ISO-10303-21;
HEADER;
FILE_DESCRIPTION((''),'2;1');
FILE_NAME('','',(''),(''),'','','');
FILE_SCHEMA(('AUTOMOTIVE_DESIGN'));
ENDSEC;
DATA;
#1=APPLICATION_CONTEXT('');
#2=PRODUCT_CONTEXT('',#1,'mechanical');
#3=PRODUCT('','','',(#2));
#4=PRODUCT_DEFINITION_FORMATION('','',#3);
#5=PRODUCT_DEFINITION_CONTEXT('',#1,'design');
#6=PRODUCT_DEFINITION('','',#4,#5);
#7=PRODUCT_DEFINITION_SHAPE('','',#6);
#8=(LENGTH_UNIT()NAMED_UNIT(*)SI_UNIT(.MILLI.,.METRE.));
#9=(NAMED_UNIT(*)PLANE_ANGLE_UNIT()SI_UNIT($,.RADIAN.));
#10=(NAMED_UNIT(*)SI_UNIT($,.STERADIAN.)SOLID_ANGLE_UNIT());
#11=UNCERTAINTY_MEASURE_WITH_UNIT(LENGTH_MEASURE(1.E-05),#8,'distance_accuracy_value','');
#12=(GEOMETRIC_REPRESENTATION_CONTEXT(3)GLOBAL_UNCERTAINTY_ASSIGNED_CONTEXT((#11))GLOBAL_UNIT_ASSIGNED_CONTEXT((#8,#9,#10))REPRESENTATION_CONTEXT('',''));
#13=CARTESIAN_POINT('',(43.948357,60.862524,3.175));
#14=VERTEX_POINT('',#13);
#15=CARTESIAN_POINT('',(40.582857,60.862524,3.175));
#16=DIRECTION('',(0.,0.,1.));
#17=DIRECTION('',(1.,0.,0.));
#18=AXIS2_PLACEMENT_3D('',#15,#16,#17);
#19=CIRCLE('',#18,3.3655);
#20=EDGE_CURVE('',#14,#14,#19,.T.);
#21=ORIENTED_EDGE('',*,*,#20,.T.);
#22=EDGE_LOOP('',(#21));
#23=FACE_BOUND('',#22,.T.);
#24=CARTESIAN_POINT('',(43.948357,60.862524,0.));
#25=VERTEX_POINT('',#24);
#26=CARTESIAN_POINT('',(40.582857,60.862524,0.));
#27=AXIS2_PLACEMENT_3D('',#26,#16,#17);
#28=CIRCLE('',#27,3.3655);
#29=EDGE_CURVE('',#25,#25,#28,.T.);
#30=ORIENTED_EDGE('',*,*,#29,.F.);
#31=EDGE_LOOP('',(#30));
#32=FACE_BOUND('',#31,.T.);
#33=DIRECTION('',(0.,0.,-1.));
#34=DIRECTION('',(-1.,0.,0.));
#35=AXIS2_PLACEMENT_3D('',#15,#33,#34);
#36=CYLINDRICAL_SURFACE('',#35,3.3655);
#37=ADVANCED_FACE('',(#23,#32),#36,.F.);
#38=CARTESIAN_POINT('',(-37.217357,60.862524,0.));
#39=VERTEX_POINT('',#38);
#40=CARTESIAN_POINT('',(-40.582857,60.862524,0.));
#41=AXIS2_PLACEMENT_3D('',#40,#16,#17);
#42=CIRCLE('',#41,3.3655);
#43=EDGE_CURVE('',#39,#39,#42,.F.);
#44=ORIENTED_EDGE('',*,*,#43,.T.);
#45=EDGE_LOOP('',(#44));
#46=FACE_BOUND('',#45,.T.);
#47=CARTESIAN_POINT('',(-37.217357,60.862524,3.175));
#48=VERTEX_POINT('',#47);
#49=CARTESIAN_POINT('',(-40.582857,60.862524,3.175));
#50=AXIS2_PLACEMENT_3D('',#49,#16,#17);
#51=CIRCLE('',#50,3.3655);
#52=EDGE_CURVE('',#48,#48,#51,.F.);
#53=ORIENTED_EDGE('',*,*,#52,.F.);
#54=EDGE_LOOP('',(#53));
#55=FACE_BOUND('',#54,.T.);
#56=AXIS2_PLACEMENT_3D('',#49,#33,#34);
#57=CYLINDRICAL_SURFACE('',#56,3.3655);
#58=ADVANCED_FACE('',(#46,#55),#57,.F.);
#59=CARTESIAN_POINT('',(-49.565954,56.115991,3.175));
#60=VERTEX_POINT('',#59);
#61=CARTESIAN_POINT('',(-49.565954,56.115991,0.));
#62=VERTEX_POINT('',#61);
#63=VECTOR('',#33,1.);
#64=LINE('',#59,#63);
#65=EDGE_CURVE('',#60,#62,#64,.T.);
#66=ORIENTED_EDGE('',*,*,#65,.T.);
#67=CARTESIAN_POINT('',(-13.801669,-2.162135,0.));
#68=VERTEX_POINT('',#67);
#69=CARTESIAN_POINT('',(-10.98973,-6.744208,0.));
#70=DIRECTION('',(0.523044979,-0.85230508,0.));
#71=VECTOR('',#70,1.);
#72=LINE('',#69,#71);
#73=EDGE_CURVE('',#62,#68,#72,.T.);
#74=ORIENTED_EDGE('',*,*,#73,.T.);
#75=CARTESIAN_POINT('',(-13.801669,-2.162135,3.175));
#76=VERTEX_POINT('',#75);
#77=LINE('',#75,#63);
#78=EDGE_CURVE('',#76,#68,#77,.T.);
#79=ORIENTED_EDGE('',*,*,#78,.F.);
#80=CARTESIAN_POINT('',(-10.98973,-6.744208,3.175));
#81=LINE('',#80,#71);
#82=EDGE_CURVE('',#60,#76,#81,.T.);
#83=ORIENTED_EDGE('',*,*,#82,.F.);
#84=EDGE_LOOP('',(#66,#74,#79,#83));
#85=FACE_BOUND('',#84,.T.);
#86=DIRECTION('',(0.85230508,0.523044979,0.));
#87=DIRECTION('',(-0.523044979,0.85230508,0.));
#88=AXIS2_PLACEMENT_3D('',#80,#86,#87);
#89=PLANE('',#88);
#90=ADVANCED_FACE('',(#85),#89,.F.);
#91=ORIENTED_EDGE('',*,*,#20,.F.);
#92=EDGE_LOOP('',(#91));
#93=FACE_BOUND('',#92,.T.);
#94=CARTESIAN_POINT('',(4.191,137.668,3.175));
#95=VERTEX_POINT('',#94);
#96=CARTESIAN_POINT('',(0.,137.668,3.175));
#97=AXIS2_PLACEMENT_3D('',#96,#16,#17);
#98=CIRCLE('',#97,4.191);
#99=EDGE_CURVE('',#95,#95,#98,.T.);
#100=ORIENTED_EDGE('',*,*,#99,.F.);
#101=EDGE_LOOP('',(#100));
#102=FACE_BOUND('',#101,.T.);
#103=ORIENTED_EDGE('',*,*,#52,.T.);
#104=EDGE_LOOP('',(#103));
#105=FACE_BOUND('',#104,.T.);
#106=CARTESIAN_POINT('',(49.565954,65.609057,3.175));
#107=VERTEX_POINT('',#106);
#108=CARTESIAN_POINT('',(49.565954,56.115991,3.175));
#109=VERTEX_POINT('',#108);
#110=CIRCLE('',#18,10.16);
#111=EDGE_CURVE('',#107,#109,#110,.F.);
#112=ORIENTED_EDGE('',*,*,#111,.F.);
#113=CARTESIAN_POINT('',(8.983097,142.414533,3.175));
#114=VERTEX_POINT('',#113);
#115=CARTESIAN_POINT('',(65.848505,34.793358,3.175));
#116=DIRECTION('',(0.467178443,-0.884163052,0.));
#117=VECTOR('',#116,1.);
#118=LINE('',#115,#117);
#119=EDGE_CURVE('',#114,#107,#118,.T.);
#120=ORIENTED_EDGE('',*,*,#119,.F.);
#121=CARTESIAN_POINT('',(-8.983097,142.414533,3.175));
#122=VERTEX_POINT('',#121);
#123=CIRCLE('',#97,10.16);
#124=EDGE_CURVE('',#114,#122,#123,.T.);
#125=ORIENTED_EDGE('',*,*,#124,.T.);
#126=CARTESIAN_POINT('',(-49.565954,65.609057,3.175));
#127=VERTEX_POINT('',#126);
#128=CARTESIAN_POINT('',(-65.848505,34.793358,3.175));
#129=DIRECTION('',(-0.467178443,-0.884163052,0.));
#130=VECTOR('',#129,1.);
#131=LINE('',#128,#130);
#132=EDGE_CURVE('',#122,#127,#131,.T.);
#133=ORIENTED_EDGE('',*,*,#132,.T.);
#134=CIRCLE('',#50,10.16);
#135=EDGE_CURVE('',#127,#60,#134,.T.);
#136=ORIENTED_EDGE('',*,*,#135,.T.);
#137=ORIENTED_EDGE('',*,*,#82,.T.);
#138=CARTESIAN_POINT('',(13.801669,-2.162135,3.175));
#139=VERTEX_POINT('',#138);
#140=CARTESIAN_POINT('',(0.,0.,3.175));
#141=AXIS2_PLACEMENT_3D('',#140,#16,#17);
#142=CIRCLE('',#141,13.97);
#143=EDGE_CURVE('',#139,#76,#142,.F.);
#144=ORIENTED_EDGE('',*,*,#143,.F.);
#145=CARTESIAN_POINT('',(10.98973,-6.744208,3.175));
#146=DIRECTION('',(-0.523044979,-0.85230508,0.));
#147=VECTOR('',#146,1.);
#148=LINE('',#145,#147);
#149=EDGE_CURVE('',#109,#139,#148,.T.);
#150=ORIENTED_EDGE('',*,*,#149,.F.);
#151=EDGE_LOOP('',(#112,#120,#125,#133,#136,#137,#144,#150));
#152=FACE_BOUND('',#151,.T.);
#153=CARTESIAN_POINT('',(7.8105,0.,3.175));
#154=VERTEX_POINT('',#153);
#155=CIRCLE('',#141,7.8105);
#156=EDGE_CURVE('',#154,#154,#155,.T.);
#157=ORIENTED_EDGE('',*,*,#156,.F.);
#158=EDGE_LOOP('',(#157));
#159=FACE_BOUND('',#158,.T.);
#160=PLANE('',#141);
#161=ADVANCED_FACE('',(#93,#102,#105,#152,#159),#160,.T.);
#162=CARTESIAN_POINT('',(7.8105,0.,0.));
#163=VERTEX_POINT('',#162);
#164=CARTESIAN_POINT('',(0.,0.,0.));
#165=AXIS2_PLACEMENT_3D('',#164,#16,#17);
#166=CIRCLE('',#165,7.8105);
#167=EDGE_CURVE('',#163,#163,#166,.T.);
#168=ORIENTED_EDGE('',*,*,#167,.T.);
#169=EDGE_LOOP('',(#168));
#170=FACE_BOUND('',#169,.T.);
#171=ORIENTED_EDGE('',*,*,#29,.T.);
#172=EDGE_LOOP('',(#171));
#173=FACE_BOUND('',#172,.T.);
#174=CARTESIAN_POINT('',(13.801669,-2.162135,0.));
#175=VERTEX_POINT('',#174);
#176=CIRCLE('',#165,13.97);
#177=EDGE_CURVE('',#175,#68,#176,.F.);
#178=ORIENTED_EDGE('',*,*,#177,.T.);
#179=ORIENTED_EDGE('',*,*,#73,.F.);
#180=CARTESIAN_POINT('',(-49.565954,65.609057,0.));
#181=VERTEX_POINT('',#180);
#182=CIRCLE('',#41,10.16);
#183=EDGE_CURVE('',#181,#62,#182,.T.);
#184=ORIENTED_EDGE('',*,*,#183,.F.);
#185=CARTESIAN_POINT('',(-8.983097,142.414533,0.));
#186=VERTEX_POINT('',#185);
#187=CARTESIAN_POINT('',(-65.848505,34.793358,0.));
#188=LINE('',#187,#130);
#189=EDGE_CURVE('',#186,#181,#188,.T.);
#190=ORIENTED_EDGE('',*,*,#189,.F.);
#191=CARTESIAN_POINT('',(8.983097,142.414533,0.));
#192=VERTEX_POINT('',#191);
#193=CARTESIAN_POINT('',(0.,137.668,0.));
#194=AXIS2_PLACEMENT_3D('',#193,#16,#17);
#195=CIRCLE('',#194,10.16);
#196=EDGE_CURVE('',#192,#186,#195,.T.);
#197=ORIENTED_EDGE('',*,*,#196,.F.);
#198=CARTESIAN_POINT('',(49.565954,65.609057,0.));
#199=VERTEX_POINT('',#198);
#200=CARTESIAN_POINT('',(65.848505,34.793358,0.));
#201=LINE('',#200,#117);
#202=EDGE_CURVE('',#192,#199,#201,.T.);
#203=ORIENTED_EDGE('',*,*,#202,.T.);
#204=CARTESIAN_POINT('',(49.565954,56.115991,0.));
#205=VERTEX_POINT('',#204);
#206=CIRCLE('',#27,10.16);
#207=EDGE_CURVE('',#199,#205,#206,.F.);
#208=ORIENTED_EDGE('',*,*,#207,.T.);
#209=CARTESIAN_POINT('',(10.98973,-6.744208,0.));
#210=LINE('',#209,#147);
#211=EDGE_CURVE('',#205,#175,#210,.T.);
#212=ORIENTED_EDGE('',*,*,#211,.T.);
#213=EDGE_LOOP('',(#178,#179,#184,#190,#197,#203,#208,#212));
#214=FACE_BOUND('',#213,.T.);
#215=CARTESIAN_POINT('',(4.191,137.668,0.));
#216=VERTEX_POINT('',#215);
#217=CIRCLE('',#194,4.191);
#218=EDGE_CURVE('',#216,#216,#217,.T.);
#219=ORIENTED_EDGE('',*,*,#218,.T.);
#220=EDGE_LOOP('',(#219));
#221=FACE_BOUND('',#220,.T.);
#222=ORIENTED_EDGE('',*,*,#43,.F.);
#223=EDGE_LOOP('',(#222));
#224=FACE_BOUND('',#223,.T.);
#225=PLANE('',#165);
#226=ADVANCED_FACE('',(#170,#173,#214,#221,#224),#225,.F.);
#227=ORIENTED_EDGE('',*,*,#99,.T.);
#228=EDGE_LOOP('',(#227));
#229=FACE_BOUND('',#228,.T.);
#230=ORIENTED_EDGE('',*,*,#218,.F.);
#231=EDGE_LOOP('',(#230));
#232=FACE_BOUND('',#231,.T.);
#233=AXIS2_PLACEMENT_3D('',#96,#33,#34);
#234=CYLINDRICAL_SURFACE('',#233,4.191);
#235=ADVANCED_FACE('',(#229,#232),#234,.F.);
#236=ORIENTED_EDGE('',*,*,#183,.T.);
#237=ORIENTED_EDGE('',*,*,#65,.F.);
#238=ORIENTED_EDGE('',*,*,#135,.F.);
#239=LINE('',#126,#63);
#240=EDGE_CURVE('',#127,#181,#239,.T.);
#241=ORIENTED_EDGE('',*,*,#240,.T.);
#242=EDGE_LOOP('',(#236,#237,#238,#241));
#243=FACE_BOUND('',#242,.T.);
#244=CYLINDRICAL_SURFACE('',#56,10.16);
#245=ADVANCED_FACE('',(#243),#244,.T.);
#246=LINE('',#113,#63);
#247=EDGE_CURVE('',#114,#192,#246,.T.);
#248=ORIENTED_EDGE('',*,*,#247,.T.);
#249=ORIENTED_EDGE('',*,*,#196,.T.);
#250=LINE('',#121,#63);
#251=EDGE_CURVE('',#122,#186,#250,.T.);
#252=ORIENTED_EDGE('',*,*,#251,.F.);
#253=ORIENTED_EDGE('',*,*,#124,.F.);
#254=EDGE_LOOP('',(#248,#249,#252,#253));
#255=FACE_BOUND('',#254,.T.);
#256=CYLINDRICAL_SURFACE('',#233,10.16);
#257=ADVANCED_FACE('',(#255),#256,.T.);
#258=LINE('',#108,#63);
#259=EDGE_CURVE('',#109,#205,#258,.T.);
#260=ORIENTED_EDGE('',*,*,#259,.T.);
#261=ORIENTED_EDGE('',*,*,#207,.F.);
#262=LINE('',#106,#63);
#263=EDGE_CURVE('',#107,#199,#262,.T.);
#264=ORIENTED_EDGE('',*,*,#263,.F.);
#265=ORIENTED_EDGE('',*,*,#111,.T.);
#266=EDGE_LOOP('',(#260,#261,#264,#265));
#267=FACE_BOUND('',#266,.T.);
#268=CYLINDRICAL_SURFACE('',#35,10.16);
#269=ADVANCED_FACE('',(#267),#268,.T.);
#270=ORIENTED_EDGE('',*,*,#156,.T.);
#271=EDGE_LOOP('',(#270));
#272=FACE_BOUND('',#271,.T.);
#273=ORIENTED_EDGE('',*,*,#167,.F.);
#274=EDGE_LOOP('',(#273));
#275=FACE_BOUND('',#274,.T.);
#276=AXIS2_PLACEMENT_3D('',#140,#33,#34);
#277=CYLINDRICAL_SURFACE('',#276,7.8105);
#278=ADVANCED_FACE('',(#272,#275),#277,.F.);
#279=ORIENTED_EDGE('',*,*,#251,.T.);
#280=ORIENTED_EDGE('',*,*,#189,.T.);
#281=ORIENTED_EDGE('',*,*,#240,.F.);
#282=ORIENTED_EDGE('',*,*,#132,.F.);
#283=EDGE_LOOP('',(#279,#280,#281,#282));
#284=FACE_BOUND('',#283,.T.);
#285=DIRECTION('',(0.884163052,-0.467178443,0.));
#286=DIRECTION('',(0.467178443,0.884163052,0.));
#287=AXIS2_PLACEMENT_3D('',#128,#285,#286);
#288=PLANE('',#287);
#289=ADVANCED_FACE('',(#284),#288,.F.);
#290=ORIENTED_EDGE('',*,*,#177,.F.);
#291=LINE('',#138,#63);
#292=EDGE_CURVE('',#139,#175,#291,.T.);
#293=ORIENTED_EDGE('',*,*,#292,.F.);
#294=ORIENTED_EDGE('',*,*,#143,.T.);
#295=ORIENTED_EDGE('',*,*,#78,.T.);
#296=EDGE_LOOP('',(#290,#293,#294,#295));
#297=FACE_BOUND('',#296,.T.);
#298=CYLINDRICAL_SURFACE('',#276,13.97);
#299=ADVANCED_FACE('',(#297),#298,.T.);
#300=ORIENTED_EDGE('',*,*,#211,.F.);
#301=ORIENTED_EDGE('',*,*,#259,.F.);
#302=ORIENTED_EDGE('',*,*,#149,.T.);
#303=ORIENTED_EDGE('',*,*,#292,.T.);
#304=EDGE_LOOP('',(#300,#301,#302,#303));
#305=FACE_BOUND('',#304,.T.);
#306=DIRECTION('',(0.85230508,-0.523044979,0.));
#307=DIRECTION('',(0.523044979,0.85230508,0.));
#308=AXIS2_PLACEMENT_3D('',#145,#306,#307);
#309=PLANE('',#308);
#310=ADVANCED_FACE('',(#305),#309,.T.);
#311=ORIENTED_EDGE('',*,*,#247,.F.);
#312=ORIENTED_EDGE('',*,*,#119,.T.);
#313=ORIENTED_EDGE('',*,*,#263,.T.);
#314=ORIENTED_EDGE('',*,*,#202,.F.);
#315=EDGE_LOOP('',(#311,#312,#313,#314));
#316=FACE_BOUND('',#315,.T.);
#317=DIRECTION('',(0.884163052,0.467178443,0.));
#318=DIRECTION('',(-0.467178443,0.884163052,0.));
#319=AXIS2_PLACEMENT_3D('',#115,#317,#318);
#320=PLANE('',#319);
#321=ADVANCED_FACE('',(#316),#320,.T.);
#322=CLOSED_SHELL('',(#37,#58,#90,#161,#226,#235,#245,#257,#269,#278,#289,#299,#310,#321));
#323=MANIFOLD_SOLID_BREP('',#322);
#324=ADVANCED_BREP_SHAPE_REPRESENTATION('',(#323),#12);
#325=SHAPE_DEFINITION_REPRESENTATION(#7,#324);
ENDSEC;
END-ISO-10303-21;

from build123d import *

# Parameters (mm, degrees)
SKETCH1_R           = 3.3655
SKETCH1_R_2         = 11.571823904
SKETCH1_R_3         = 4.191
SKETCH1_R_4         = 7.8105
BOSS_EXTRUDE1_DEPTH = 3.175


with BuildPart() as part:
    # Sketch1 → Boss-Extrude1 (new body)
    # profile 1 of 7: a face of its own
    with BuildSketch(Plane.XY):
        with BuildLine():
            ThreePointArc((-13.801669145, -2.162135242), (-13.92785371, -1.084338979), (-13.97, 0))
            Line((-13.97, 0), (-10.16, 137.668))
            ThreePointArc((-10.16, 137.668), (-9.861385845, 140.113131739), (-8.98309661, 142.414532976))
            Line((-8.98309661, 142.414532976), (-49.565953559, 65.609056962))
            ThreePointArc((-49.565953559, 65.609056962), (-50.742856949, 60.862523985), (-49.565953559, 56.115991009))
            Line((-49.565953559, 56.115991009), (-13.801669145, -2.162135242))
        make_face()
        with Locations((-40.582856949, 60.862523985)):
            Circle(SKETCH1_R, mode=Mode.SUBTRACT)
    # profile 2 of 7: a face of its own
    with BuildSketch(Plane.XY):
        with BuildLine():
            Line((49.565953559, 65.609056962), (8.98309661, 142.414532976))
            ThreePointArc((8.98309661, 142.414532976), (9.861385845, 140.113131739), (10.16, 137.668))
            Line((10.16, 137.668), (13.97, 0))
            ThreePointArc((13.97, 0), (13.92785371, -1.084338979), (13.801669145, -2.162135242))
            Line((13.801669145, -2.162135242), (49.565953559, 56.115991009))
            ThreePointArc((49.565953559, 56.115991009), (50.742856949, 60.862523985), (49.565953559, 65.609056962))
        make_face()
        with Locations((40.582856949, 60.862523985)):
            Circle(SKETCH1_R, mode=Mode.SUBTRACT)
    # profile 3 of 7: a face of its own
    with BuildSketch(Plane.XY):
        with BuildLine():
            ThreePointArc((-10.16, 137.668), (7.886144716, 68.281846548), (-13.97, 0))
            ThreePointArc((-13.97, 0), (-13.92785371, -1.084338979), (-13.801669145, -2.162135242))
            Line((-13.801669145, -2.162135242), (-8.177790267, -11.326281223))
            ThreePointArc((-8.177790267, -11.326281223), (0, -13.97), (8.177790267, -11.326281223))
            Line((8.177790267, -11.326281223), (13.801669145, -2.162135242))
            ThreePointArc((13.801669145, -2.162135242), (13.92785371, -1.084338979), (13.97, 0))
            Line((13.97, 0), (10.16, 137.668))
            ThreePointArc((10.16, 137.668), (9.861385845, 140.113131739), (8.98309661, 142.414532976))
            ThreePointArc((8.98309661, 142.414532976), (0, 147.828), (-8.98309661, 142.414532976))
            ThreePointArc((-8.98309661, 142.414532976), (-9.861385845, 140.113131739), (-10.16, 137.668))
        make_face()
        Circle(SKETCH1_R_2, mode=Mode.SUBTRACT)
        with Locations((0, 137.668)):
            Circle(SKETCH1_R_3, mode=Mode.SUBTRACT)
    # profile 4 of 7: a face of its own
    with BuildSketch(Plane.XY):
        with BuildLine():
            ThreePointArc((-10.16, 137.668), (7.886144716, 68.281846548), (-13.97, 0))
            Line((-13.97, 0), (-10.16, 137.668))
        make_face()
    # profile 5 of 7: a face of its own
    with BuildSketch(Plane.XY):
        with BuildLine():
            Line((13.801669145, -2.162135242), (8.177790267, -11.326281223))
            ThreePointArc((8.177790267, -11.326281223), (11.906701974, -7.306938353), (13.801669145, -2.162135242))
        make_face()
    # profile 6 of 7: a face of its own
    with BuildSketch(Plane.XY):
        with BuildLine():
            Line((-8.177790267, -11.326281223), (-13.801669145, -2.162135242))
            ThreePointArc((-13.801669145, -2.162135242), (-11.906701974, -7.306938353), (-8.177790267, -11.326281223))
        make_face()
    # profile 7 of 7: a face of its own
    with BuildSketch(Plane.XY):
        Circle(SKETCH1_R_2)
        Circle(SKETCH1_R_4, mode=Mode.SUBTRACT)
    extrude(amount=BOSS_EXTRUDE1_DEPTH)


solid = part.part
